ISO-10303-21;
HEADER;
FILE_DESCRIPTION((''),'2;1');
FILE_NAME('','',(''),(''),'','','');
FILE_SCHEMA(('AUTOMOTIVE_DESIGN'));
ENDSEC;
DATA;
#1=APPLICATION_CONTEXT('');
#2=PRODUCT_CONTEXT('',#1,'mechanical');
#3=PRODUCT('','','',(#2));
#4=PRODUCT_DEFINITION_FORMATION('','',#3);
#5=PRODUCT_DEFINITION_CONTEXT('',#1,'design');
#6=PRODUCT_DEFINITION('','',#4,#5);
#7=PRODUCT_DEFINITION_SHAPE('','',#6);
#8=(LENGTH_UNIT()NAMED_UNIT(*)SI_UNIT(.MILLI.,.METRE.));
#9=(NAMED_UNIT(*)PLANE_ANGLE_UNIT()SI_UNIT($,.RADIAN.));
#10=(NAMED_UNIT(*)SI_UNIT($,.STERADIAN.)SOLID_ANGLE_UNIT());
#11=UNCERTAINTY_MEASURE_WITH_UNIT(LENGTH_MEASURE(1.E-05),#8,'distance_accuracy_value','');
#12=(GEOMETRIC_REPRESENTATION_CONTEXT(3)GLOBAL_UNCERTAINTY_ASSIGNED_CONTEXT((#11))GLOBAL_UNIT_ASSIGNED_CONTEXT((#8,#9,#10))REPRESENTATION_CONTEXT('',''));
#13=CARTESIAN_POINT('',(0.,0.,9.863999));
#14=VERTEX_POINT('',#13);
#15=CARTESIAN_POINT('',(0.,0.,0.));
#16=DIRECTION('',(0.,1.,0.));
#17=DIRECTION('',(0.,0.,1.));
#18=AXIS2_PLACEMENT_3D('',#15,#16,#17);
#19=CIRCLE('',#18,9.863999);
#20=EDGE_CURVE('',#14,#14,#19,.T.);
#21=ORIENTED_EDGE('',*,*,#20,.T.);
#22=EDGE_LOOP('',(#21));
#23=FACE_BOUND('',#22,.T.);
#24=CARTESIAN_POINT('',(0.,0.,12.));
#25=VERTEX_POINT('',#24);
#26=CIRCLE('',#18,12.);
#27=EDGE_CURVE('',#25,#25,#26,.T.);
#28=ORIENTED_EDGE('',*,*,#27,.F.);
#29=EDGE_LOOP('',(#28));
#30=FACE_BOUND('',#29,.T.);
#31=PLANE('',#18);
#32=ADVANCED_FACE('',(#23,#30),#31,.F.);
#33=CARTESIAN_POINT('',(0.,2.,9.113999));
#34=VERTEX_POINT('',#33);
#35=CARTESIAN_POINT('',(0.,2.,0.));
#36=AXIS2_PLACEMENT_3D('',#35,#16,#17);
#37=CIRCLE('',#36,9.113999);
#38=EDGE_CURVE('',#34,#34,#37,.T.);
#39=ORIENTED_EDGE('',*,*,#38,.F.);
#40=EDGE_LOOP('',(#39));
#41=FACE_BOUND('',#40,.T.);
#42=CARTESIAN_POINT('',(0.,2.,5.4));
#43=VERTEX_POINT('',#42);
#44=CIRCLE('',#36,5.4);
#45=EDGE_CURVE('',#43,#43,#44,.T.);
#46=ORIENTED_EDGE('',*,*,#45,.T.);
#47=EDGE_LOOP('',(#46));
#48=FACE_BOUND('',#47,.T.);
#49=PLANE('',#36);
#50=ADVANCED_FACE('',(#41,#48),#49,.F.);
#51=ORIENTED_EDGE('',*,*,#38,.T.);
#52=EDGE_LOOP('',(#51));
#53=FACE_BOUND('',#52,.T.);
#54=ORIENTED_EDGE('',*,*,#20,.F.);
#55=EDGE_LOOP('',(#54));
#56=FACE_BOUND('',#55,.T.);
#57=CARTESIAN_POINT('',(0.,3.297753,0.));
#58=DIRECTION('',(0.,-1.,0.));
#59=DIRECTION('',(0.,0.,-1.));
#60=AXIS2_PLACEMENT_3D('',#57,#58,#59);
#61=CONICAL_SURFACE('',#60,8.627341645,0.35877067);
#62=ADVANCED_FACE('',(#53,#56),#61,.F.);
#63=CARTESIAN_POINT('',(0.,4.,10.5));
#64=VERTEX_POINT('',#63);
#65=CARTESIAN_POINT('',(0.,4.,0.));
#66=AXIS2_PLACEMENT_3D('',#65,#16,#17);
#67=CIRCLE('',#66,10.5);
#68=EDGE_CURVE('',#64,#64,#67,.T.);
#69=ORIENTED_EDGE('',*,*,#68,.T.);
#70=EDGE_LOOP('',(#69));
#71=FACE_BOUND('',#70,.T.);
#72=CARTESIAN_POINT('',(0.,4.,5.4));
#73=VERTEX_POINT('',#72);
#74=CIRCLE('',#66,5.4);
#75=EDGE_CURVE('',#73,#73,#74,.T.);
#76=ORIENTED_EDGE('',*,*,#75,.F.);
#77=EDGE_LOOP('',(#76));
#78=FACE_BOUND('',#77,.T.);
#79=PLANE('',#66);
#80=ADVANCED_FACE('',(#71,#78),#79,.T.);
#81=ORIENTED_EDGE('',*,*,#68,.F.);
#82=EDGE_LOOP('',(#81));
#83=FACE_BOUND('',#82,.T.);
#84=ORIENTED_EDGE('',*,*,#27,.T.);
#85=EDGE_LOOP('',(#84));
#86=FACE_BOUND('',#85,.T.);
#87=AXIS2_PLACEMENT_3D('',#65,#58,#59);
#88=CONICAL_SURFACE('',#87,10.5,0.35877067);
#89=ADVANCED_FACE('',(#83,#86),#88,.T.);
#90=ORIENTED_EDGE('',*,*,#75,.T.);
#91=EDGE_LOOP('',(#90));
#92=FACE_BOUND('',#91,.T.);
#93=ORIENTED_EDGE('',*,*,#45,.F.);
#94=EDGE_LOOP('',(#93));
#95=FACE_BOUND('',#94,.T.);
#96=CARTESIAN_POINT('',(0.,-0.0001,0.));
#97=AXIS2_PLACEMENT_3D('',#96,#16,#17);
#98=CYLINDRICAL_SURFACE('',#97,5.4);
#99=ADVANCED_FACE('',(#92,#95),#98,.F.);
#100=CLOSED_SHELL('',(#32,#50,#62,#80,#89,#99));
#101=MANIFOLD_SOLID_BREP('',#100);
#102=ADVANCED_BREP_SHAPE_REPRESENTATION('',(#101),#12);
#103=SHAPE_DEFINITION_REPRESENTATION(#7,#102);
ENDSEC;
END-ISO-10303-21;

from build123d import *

# Parameters (mm, degrees)
SKETCH_1_R          = 12
SKETCH_2_R          = 10.5
SHELL_2_T           = -2
SKETCH_3_R          = 5.4
CUT_EXTRUDE_2_DEPTH = 18.435595935


with BuildPart() as part:
    # 草图1 → 放样1 section 0
    with BuildSketch(Plane(origin=(0, 0, 0), x_dir=(1, 0, 0), z_dir=(0, 1, 0))):
        Circle(SKETCH_1_R)
    # 草图2 → 放样1 section 1
    with BuildSketch(Plane(origin=(0, 4, 0), x_dir=(1, 0, 0), z_dir=(0, 1, 0))):
        Circle(SKETCH_2_R)
    loft()

    # 抽壳2
    shell_2_openings = [part.faces().sort_by_distance(p)[0] for p in [
        (0, 0, 0),
    ]]
    offset(amount=SHELL_2_T, openings=shell_2_openings, kind=Kind.INTERSECTION)

    # 草图3 → 切除-拉伸2 (cut, through all)
    with BuildSketch(Plane(origin=(0, 4, 0), x_dir=(1, 0, 0), z_dir=(0, 1, 0))):
        with Locations(Location((0, 0, 0), (0, 0, 270))):
            Circle(SKETCH_3_R)
    extrude(amount=-CUT_EXTRUDE_2_DEPTH, mode=Mode.SUBTRACT)


solid = part.part
